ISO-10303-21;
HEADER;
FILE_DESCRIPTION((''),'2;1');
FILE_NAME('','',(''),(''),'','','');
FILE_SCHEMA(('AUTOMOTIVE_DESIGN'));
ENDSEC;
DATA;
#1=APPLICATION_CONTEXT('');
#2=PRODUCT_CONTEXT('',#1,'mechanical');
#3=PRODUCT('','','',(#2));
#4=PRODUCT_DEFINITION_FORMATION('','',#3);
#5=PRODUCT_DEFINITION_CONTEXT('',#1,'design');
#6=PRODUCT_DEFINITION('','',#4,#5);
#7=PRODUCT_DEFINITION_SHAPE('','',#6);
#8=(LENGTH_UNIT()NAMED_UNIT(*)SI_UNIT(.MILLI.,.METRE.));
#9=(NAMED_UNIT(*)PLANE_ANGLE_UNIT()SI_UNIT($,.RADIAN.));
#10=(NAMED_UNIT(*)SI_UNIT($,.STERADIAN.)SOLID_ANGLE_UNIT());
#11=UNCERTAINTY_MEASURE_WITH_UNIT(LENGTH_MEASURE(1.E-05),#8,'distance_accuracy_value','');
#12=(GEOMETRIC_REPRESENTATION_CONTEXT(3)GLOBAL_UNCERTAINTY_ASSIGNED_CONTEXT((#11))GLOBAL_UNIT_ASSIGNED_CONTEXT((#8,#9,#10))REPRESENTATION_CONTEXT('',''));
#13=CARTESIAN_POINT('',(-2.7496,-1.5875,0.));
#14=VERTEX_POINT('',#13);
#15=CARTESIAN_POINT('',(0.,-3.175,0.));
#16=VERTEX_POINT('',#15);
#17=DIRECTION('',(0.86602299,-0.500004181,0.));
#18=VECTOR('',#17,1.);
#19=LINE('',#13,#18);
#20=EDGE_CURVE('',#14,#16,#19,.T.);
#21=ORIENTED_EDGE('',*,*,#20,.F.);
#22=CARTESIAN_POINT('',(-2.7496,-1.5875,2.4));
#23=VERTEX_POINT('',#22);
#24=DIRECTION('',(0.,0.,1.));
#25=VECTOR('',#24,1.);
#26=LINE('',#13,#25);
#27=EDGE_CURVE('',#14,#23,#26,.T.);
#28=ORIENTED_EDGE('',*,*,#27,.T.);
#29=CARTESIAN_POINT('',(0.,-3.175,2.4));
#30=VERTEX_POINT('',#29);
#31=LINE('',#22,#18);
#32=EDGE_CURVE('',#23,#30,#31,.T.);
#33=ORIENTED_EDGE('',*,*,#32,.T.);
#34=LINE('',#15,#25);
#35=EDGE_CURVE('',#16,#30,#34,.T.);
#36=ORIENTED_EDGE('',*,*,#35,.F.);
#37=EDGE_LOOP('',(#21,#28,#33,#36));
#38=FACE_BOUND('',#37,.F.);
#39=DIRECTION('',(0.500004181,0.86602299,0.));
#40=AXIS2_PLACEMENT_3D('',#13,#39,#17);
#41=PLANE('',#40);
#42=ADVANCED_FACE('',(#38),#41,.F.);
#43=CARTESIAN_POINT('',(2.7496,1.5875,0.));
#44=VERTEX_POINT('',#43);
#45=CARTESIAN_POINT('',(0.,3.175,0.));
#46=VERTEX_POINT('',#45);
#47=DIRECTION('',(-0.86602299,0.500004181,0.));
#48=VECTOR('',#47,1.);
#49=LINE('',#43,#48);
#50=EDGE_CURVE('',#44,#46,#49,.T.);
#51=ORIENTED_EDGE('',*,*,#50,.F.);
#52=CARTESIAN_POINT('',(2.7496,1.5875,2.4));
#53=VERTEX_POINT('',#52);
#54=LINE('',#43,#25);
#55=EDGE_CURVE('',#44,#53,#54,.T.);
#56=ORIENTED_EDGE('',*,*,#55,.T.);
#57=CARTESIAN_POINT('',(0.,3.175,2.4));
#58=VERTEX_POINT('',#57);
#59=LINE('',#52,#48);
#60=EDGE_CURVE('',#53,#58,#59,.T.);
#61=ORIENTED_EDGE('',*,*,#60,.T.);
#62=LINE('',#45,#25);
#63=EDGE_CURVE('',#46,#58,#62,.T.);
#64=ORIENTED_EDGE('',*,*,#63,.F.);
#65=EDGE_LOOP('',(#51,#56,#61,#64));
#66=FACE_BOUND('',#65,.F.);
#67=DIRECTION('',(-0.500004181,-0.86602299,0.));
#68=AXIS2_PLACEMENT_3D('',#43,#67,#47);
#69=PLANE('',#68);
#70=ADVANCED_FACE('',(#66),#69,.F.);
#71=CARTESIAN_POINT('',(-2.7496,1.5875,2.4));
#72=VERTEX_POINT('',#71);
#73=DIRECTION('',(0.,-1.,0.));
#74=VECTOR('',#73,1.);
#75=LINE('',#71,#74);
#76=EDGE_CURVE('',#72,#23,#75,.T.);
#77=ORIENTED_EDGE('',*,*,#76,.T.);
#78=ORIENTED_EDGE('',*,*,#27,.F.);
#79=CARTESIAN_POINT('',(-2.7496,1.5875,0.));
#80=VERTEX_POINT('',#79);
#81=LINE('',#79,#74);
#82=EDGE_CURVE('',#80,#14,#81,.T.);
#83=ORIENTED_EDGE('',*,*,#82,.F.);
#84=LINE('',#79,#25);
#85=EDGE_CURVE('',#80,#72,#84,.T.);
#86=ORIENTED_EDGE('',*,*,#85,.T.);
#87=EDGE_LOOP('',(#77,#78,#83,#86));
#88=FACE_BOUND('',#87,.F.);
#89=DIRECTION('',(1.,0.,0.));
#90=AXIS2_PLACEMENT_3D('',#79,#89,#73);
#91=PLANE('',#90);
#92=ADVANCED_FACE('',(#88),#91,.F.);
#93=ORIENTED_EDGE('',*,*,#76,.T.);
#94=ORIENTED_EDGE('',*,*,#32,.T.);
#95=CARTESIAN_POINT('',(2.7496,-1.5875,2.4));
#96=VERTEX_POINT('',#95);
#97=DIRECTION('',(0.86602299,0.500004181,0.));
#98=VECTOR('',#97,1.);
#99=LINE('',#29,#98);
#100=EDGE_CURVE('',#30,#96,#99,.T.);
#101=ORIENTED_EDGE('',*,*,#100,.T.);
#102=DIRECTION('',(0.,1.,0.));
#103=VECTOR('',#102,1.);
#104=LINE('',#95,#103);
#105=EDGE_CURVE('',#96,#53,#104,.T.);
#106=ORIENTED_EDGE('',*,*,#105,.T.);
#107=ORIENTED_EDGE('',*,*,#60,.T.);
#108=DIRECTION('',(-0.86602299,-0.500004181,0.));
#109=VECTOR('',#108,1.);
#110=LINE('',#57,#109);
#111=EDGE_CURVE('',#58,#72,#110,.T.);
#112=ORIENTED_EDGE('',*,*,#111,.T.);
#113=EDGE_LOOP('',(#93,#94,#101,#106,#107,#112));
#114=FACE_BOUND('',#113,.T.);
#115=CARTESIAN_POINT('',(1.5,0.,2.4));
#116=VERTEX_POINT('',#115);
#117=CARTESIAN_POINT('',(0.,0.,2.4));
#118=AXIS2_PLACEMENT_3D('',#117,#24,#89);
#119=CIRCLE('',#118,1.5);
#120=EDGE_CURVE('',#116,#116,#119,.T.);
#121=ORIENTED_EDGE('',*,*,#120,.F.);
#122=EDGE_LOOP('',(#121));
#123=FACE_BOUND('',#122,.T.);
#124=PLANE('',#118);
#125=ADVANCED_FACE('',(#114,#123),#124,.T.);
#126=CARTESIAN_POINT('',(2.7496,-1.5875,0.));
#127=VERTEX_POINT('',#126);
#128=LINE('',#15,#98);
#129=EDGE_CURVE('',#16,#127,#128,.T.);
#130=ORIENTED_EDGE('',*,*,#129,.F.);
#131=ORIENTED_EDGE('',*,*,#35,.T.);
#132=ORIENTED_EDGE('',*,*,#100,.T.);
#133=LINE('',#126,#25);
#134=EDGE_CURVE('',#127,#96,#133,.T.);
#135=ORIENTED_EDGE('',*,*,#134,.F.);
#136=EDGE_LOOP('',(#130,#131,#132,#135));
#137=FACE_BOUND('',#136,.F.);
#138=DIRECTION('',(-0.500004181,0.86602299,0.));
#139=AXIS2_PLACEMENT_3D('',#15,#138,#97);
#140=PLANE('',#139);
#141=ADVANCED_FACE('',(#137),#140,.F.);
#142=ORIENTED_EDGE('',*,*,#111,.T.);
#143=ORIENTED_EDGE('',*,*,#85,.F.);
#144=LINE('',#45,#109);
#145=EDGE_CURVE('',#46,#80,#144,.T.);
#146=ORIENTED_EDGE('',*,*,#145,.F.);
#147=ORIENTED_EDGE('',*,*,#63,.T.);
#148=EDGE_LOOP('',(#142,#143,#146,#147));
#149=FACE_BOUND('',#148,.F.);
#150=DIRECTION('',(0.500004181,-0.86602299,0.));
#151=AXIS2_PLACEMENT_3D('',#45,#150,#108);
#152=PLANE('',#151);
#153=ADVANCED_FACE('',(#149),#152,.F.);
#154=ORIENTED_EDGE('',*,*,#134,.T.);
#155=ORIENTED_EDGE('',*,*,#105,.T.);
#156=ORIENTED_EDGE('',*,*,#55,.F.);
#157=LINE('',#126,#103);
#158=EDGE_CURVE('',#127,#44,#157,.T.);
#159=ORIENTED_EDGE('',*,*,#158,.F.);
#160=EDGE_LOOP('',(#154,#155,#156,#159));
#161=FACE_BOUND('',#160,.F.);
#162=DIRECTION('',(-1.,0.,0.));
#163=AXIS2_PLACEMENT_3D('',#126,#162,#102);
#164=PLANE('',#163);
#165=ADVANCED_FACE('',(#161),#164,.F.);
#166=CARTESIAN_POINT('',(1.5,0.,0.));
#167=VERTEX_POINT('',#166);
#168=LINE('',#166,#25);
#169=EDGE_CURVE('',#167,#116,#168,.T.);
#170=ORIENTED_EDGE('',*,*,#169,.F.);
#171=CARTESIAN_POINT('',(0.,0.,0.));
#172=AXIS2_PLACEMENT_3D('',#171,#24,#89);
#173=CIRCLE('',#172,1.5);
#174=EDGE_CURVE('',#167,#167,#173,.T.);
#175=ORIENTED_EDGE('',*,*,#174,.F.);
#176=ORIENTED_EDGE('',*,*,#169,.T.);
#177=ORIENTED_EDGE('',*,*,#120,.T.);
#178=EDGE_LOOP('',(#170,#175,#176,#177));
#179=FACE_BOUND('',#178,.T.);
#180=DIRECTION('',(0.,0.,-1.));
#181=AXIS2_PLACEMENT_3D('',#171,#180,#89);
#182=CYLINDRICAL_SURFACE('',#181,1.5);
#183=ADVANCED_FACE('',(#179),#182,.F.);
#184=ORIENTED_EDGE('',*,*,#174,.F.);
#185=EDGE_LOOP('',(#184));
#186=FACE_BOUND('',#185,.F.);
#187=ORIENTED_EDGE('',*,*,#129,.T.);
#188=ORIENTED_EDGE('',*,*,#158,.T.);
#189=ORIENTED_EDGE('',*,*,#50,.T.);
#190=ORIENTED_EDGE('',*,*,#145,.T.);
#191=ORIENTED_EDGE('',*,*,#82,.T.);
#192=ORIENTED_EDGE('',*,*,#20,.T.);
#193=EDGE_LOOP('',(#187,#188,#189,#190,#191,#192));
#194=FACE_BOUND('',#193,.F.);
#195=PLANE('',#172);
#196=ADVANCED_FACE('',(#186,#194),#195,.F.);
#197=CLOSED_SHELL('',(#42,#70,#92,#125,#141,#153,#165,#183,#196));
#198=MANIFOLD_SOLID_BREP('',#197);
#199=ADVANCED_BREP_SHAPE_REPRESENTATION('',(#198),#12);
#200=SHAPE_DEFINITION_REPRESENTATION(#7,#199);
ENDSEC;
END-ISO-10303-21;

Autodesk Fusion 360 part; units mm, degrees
sketch "Sketch1" plane through (0, 0, 0) normal (0, 0, 1) x (1, 0, 0)
  line L0 (0, 3.175) -> (-2.7496, 1.5875)
  line L1 (-2.7496, 1.5875) -> (-2.7496, -1.5875)
  line L2 (-2.7496, -1.5875) -> (0, -3.175)
  line L3 (0, -3.175) -> (2.7496, -1.5875)
  line L4 (2.7496, -1.5875) -> (2.7496, 1.5875)
  line L5 (2.7496, 1.5875) -> (0, 3.175)
  circle A0 centre (0, 0) radius 1.5
  dimension "d1" = 3.175
  dimension "d2" = 3
extrude "Extrude1" add sketch "Sketch1" along normal blind 2.4
